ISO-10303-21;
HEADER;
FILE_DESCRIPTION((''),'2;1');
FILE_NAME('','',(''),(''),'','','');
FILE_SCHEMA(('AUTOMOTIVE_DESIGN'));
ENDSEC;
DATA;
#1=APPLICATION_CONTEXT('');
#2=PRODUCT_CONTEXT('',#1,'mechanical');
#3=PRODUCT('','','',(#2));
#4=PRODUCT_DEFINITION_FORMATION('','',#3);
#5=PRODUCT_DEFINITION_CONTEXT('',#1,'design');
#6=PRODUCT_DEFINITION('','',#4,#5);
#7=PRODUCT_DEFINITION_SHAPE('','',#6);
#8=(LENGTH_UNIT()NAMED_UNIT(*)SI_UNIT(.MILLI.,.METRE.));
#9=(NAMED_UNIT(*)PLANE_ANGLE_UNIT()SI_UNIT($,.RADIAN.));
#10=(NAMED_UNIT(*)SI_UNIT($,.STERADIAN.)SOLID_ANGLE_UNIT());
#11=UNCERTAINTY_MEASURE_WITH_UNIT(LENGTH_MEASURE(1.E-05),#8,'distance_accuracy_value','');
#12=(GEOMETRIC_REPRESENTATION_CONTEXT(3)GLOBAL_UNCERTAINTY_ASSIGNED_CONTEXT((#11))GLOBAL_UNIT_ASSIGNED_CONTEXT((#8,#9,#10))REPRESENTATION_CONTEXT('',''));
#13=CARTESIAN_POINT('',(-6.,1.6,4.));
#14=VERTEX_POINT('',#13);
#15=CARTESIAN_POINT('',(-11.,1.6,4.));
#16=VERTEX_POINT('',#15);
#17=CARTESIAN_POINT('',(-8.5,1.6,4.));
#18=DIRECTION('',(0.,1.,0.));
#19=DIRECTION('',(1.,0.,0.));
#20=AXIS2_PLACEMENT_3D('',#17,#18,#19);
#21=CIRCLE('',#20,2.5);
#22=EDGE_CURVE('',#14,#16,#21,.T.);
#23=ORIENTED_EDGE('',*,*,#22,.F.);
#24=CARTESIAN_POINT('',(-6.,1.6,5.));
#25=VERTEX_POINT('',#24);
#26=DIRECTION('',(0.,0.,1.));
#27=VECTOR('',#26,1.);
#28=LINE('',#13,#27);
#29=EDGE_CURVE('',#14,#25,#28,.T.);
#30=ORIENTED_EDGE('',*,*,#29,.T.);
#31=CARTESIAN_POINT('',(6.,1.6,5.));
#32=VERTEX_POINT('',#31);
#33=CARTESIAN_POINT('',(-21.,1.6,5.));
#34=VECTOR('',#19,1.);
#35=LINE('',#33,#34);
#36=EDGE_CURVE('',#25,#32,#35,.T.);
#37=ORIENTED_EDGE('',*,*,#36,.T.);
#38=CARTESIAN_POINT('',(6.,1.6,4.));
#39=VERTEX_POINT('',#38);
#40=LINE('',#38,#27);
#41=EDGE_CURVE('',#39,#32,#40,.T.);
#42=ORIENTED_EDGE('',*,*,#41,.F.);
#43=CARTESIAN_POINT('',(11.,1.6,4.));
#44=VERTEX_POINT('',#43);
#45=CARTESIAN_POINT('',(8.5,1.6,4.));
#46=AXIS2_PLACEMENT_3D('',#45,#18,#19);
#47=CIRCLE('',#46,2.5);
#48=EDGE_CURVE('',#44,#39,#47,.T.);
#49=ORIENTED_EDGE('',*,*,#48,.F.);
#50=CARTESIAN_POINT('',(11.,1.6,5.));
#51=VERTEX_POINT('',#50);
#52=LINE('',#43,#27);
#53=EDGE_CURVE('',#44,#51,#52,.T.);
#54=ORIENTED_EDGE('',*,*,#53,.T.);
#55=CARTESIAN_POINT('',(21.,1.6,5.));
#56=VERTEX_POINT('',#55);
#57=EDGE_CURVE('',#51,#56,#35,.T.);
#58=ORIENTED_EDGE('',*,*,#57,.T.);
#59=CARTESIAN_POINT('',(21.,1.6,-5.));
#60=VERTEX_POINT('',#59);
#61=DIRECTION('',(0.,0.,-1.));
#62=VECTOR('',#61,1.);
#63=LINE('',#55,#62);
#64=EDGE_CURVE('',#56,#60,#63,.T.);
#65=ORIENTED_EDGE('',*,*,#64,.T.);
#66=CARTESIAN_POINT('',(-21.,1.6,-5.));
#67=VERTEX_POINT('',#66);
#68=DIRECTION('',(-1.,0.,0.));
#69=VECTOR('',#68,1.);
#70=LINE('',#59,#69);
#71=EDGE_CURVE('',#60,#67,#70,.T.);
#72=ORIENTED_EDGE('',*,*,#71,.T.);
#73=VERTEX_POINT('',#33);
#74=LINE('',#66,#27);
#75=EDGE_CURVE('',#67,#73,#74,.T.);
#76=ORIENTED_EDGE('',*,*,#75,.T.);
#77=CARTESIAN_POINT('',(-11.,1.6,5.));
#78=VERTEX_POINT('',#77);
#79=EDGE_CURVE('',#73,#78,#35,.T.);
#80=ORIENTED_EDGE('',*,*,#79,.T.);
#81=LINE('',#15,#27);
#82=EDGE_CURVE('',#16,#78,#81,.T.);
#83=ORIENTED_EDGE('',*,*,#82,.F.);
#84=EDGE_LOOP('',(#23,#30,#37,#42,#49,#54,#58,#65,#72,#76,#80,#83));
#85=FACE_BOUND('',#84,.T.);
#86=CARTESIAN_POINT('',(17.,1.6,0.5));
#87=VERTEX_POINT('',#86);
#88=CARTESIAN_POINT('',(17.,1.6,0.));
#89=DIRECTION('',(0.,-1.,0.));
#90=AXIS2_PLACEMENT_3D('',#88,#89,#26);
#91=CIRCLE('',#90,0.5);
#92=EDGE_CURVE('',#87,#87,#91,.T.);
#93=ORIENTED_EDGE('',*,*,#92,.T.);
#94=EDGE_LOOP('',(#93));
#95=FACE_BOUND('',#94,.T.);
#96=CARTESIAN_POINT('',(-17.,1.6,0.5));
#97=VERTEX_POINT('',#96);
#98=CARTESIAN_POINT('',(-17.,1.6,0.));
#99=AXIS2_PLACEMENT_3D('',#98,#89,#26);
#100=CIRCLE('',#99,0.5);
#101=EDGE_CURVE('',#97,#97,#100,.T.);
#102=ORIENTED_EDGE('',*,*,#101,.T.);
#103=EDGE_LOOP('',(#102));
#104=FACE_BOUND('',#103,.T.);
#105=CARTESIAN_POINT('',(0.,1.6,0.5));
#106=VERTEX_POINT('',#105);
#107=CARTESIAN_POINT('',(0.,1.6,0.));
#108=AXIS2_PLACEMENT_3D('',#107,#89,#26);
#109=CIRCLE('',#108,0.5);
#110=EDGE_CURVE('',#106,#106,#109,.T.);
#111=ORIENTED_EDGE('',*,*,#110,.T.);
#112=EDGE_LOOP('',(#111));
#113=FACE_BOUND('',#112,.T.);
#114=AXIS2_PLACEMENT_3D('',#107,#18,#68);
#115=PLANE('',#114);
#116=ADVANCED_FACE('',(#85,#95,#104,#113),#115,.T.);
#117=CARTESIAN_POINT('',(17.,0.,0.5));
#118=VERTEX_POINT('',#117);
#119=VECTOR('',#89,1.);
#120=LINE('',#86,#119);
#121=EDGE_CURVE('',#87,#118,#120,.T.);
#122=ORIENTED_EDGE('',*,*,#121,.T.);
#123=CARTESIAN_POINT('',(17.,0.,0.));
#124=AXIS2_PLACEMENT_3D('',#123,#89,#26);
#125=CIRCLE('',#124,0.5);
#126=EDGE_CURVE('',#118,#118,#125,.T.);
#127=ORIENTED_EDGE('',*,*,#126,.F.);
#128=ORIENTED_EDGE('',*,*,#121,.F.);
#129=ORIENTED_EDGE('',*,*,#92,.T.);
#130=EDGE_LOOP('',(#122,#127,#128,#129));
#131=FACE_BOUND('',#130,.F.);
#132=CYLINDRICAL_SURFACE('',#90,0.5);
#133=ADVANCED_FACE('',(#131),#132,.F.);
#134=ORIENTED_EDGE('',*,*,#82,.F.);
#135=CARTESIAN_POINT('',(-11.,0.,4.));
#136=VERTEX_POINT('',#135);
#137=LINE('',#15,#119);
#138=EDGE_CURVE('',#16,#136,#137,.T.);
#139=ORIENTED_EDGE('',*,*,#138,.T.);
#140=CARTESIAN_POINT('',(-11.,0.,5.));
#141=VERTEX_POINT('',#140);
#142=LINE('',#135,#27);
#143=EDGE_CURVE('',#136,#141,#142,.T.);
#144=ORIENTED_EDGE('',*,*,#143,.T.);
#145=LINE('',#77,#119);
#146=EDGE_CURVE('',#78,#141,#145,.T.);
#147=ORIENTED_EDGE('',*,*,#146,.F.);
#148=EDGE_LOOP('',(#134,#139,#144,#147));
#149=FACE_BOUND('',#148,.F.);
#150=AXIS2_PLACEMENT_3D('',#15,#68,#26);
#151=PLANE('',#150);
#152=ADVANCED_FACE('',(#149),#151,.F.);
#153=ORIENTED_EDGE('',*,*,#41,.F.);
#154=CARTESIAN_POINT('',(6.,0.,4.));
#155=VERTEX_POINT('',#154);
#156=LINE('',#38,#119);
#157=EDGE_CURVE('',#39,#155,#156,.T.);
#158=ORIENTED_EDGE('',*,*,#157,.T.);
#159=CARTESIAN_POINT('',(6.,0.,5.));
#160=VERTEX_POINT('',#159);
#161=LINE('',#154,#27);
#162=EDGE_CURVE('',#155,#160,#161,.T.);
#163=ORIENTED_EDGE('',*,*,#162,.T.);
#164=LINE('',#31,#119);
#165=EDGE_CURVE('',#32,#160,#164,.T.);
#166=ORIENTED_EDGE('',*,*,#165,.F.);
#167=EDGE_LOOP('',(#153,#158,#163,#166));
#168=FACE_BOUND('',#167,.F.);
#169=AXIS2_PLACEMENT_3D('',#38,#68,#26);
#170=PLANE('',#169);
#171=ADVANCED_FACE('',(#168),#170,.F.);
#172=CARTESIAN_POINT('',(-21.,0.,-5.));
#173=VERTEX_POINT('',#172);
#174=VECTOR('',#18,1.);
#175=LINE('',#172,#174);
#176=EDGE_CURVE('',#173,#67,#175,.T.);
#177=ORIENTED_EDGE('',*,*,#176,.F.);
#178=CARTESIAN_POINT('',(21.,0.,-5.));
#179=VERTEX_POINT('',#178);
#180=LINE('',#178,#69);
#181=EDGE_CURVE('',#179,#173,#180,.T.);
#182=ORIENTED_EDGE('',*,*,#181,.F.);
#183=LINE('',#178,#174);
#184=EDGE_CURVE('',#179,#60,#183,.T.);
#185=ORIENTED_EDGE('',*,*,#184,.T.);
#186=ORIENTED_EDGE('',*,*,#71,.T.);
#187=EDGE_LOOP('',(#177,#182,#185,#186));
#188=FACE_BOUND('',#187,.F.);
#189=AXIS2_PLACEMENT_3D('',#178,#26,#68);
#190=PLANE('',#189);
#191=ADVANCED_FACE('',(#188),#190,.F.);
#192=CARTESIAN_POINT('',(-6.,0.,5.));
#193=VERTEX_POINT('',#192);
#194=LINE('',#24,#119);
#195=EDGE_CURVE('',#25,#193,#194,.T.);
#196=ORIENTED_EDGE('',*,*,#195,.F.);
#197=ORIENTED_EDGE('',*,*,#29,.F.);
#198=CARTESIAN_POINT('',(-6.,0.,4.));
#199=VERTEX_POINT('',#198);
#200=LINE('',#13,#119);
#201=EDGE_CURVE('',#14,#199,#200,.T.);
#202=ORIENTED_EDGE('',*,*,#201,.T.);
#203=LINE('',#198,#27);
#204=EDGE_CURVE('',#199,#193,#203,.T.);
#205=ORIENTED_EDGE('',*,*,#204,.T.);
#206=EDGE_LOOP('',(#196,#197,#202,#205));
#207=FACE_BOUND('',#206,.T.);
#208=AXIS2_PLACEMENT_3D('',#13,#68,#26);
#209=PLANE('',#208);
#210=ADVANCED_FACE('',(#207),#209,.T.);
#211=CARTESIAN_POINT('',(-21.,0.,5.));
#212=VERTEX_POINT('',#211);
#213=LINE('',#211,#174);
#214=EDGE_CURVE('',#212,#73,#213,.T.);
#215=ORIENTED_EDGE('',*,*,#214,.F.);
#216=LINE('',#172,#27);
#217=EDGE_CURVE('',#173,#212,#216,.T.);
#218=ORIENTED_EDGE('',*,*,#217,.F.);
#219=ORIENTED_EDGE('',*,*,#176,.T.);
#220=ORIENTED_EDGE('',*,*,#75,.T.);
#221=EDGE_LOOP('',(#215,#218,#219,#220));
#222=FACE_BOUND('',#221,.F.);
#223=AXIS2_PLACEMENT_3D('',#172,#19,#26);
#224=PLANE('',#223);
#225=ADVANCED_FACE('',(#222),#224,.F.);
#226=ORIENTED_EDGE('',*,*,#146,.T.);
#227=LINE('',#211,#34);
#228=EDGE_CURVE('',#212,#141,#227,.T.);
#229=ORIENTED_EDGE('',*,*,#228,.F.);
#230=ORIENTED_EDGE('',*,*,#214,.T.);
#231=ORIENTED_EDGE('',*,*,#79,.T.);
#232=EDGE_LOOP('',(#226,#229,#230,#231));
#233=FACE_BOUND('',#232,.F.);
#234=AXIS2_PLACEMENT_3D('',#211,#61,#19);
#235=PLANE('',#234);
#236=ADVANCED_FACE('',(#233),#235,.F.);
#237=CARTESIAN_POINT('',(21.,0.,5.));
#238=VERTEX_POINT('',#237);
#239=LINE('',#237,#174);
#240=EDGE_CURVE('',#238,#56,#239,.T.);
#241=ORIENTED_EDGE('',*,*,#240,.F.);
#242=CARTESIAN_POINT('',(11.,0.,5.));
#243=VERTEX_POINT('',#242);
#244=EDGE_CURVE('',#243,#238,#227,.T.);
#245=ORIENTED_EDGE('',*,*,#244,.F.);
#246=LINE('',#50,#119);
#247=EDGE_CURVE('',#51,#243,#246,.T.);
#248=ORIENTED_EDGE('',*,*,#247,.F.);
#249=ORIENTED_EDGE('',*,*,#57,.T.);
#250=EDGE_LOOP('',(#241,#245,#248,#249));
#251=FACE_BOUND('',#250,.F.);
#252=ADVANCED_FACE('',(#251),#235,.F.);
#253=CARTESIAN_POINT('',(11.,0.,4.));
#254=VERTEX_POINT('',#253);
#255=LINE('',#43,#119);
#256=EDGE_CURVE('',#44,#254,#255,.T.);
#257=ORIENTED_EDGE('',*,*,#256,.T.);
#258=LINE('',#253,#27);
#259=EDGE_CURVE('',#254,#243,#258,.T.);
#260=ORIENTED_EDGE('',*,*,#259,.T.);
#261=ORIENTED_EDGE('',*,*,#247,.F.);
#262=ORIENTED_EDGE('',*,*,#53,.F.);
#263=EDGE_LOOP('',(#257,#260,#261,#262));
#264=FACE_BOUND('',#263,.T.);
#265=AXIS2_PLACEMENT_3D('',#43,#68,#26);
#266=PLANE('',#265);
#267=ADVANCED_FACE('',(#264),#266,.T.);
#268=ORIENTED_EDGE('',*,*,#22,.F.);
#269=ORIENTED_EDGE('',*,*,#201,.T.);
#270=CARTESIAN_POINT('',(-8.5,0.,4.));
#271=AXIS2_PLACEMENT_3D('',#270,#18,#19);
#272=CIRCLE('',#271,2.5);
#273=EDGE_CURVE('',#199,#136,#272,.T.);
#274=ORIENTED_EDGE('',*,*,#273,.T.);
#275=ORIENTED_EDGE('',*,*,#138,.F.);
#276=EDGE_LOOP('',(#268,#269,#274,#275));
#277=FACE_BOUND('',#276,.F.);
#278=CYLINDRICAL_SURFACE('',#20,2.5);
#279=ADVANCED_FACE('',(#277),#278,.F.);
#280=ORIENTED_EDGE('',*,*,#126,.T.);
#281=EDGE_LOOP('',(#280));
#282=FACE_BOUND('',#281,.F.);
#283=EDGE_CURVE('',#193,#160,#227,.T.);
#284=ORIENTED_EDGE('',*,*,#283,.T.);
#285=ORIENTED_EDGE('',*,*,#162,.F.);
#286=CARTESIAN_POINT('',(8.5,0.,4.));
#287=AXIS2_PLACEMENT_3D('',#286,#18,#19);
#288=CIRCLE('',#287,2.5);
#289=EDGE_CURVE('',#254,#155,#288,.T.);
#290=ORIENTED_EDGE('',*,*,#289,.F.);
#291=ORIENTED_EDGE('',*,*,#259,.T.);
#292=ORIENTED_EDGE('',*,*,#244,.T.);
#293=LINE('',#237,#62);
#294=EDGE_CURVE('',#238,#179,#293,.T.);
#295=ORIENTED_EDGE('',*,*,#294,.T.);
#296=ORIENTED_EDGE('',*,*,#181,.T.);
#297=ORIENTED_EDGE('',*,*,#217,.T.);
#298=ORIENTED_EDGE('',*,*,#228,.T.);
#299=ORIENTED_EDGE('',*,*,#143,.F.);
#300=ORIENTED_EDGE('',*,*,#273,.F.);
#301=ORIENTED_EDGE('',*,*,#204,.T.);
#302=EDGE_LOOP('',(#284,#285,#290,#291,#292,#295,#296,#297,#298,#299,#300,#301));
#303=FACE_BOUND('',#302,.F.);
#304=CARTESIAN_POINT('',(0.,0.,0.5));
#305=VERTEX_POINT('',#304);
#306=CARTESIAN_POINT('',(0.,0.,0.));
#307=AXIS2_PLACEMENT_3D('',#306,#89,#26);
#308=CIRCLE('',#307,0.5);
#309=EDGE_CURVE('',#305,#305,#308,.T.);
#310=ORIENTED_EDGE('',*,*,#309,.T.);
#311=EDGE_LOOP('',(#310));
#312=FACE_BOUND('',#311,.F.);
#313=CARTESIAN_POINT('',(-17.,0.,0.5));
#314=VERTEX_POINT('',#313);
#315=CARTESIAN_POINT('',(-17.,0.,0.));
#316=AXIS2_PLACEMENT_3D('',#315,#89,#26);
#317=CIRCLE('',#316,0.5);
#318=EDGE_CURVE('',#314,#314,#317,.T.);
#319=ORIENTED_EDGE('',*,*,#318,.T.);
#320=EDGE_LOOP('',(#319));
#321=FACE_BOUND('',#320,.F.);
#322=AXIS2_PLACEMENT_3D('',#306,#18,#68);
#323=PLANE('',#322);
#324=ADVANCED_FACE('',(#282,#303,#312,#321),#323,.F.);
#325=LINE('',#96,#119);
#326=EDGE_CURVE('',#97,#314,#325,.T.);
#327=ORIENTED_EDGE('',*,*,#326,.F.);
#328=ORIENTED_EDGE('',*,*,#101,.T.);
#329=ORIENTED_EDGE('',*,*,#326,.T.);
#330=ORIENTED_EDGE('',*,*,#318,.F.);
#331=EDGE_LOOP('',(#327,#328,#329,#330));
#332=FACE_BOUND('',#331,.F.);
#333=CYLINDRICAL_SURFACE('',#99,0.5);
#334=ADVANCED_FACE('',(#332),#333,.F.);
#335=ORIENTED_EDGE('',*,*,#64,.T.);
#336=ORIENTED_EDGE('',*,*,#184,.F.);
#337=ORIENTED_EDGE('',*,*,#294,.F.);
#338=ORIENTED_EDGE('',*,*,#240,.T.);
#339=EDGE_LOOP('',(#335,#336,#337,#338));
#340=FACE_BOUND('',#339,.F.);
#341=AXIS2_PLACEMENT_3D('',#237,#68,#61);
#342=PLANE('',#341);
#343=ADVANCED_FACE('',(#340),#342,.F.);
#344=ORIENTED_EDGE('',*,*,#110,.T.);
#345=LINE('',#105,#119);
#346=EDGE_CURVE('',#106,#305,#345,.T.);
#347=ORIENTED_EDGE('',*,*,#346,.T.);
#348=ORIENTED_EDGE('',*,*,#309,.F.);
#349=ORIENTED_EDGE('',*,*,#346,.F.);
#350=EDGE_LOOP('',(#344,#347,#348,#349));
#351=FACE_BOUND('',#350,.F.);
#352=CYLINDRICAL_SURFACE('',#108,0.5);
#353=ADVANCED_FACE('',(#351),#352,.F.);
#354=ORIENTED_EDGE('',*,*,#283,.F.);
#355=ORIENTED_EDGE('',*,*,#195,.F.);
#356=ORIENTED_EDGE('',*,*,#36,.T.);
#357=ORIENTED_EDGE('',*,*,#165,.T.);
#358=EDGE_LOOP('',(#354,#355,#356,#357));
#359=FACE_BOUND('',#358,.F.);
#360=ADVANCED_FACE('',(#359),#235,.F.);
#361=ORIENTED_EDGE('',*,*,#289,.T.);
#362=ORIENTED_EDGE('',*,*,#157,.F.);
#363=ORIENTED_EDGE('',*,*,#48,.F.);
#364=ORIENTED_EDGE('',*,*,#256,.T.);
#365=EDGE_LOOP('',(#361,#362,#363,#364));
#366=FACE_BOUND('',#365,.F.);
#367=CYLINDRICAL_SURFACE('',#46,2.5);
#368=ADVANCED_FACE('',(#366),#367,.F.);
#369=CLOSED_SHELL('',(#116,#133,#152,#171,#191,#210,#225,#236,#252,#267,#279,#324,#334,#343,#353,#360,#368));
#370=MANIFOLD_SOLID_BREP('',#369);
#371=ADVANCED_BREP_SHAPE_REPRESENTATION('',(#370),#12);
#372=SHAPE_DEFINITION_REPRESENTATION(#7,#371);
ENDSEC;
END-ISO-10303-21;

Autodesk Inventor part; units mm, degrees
ref_plane "YZ Plane" through (0, 0, 0) normal (1, 0, 0) x (0, 1, 0)
ref_plane "XZ Plane" through (0, 0, 0) normal (0, 1, 0) x (-1, 0, 0)
ref_plane "XY Plane" through (0, 0, 0) normal (0, 0, 1) x (1, 0, 0)
sketch "Sketch1" plane through (0, 0, 0) normal (0, 1, 0) x (-1, 0, 0)
  line L0 (21, 5) -> (-21, 5)
  line L1 (-21, 5) -> (-21, -5)
  line L2 (-21, -5) -> (21, -5)
  line L3 (21, -5) -> (21, 5)
  point P0 (0, 0)
  point P1 (21, 0)
  point P2 (0, -5)
  point P3 (17, 0)
  point P4 (0, 0)
  point P5 (-17, 0)
  dimension "d0" = 42
  dimension "d1" = 10
  dimension "d2" = 17
  dimension "d3" = 17
extrude "Extrusion1" add sketch "Sketch1" along normal blind 1.6
sketch "Sketch2" plane through (0, 1.6, 0) normal (0, 1, 0) x (1, 0, 0)
  point P0 (0, 0)
  point P1 (-17, 0)
  point P2 (0, 0)
  point P3 (17, 0)
hole "Hole1" at (-17, 1.6, 0) at (0, 1.6, 0) at (17, 1.6, 0) direction (0, -1, 0) diameter 1 end through all
sketch "Sketch3" plane through (0, 1.6, 0) normal (0, 1, 0) x (1, 0, 0)
  line L0 (-21, -5) -> (21, -5) projected
  line L1 (-21, -5) -> (21, -5) projected
  line L2 (-8.5, 0.5052) -> (-8.5, -1.9497) construction
  line L3 (8.5, -1.3927) -> (8.5, 1.0622) construction
  arc A0 (-6, -4) -> (-11, -4) centre (-8.5, -4) ccw
  arc A1 (11, -4) -> (6, -4) centre (8.5, -4) ccw
  line L4 (-11, -4) -> (-11, -5)
  line L5 (-6, -4) -> (-6, -5)
  line L6 (6, -4) -> (6, -5)
  line L7 (11, -4) -> (11, -5)
  point P0 (0, 0)
  dimension "d15" = 17
  dimension "d16" = 8.5
  dimension "d21" = 5
  dimension "d22" = 1
extrude "Extrusion2" cut sketch "Sketch3" against normal blind 1.6
equation "\"d3\" = d2"
properties part number "Pinhole_insert_1mm_3x"
